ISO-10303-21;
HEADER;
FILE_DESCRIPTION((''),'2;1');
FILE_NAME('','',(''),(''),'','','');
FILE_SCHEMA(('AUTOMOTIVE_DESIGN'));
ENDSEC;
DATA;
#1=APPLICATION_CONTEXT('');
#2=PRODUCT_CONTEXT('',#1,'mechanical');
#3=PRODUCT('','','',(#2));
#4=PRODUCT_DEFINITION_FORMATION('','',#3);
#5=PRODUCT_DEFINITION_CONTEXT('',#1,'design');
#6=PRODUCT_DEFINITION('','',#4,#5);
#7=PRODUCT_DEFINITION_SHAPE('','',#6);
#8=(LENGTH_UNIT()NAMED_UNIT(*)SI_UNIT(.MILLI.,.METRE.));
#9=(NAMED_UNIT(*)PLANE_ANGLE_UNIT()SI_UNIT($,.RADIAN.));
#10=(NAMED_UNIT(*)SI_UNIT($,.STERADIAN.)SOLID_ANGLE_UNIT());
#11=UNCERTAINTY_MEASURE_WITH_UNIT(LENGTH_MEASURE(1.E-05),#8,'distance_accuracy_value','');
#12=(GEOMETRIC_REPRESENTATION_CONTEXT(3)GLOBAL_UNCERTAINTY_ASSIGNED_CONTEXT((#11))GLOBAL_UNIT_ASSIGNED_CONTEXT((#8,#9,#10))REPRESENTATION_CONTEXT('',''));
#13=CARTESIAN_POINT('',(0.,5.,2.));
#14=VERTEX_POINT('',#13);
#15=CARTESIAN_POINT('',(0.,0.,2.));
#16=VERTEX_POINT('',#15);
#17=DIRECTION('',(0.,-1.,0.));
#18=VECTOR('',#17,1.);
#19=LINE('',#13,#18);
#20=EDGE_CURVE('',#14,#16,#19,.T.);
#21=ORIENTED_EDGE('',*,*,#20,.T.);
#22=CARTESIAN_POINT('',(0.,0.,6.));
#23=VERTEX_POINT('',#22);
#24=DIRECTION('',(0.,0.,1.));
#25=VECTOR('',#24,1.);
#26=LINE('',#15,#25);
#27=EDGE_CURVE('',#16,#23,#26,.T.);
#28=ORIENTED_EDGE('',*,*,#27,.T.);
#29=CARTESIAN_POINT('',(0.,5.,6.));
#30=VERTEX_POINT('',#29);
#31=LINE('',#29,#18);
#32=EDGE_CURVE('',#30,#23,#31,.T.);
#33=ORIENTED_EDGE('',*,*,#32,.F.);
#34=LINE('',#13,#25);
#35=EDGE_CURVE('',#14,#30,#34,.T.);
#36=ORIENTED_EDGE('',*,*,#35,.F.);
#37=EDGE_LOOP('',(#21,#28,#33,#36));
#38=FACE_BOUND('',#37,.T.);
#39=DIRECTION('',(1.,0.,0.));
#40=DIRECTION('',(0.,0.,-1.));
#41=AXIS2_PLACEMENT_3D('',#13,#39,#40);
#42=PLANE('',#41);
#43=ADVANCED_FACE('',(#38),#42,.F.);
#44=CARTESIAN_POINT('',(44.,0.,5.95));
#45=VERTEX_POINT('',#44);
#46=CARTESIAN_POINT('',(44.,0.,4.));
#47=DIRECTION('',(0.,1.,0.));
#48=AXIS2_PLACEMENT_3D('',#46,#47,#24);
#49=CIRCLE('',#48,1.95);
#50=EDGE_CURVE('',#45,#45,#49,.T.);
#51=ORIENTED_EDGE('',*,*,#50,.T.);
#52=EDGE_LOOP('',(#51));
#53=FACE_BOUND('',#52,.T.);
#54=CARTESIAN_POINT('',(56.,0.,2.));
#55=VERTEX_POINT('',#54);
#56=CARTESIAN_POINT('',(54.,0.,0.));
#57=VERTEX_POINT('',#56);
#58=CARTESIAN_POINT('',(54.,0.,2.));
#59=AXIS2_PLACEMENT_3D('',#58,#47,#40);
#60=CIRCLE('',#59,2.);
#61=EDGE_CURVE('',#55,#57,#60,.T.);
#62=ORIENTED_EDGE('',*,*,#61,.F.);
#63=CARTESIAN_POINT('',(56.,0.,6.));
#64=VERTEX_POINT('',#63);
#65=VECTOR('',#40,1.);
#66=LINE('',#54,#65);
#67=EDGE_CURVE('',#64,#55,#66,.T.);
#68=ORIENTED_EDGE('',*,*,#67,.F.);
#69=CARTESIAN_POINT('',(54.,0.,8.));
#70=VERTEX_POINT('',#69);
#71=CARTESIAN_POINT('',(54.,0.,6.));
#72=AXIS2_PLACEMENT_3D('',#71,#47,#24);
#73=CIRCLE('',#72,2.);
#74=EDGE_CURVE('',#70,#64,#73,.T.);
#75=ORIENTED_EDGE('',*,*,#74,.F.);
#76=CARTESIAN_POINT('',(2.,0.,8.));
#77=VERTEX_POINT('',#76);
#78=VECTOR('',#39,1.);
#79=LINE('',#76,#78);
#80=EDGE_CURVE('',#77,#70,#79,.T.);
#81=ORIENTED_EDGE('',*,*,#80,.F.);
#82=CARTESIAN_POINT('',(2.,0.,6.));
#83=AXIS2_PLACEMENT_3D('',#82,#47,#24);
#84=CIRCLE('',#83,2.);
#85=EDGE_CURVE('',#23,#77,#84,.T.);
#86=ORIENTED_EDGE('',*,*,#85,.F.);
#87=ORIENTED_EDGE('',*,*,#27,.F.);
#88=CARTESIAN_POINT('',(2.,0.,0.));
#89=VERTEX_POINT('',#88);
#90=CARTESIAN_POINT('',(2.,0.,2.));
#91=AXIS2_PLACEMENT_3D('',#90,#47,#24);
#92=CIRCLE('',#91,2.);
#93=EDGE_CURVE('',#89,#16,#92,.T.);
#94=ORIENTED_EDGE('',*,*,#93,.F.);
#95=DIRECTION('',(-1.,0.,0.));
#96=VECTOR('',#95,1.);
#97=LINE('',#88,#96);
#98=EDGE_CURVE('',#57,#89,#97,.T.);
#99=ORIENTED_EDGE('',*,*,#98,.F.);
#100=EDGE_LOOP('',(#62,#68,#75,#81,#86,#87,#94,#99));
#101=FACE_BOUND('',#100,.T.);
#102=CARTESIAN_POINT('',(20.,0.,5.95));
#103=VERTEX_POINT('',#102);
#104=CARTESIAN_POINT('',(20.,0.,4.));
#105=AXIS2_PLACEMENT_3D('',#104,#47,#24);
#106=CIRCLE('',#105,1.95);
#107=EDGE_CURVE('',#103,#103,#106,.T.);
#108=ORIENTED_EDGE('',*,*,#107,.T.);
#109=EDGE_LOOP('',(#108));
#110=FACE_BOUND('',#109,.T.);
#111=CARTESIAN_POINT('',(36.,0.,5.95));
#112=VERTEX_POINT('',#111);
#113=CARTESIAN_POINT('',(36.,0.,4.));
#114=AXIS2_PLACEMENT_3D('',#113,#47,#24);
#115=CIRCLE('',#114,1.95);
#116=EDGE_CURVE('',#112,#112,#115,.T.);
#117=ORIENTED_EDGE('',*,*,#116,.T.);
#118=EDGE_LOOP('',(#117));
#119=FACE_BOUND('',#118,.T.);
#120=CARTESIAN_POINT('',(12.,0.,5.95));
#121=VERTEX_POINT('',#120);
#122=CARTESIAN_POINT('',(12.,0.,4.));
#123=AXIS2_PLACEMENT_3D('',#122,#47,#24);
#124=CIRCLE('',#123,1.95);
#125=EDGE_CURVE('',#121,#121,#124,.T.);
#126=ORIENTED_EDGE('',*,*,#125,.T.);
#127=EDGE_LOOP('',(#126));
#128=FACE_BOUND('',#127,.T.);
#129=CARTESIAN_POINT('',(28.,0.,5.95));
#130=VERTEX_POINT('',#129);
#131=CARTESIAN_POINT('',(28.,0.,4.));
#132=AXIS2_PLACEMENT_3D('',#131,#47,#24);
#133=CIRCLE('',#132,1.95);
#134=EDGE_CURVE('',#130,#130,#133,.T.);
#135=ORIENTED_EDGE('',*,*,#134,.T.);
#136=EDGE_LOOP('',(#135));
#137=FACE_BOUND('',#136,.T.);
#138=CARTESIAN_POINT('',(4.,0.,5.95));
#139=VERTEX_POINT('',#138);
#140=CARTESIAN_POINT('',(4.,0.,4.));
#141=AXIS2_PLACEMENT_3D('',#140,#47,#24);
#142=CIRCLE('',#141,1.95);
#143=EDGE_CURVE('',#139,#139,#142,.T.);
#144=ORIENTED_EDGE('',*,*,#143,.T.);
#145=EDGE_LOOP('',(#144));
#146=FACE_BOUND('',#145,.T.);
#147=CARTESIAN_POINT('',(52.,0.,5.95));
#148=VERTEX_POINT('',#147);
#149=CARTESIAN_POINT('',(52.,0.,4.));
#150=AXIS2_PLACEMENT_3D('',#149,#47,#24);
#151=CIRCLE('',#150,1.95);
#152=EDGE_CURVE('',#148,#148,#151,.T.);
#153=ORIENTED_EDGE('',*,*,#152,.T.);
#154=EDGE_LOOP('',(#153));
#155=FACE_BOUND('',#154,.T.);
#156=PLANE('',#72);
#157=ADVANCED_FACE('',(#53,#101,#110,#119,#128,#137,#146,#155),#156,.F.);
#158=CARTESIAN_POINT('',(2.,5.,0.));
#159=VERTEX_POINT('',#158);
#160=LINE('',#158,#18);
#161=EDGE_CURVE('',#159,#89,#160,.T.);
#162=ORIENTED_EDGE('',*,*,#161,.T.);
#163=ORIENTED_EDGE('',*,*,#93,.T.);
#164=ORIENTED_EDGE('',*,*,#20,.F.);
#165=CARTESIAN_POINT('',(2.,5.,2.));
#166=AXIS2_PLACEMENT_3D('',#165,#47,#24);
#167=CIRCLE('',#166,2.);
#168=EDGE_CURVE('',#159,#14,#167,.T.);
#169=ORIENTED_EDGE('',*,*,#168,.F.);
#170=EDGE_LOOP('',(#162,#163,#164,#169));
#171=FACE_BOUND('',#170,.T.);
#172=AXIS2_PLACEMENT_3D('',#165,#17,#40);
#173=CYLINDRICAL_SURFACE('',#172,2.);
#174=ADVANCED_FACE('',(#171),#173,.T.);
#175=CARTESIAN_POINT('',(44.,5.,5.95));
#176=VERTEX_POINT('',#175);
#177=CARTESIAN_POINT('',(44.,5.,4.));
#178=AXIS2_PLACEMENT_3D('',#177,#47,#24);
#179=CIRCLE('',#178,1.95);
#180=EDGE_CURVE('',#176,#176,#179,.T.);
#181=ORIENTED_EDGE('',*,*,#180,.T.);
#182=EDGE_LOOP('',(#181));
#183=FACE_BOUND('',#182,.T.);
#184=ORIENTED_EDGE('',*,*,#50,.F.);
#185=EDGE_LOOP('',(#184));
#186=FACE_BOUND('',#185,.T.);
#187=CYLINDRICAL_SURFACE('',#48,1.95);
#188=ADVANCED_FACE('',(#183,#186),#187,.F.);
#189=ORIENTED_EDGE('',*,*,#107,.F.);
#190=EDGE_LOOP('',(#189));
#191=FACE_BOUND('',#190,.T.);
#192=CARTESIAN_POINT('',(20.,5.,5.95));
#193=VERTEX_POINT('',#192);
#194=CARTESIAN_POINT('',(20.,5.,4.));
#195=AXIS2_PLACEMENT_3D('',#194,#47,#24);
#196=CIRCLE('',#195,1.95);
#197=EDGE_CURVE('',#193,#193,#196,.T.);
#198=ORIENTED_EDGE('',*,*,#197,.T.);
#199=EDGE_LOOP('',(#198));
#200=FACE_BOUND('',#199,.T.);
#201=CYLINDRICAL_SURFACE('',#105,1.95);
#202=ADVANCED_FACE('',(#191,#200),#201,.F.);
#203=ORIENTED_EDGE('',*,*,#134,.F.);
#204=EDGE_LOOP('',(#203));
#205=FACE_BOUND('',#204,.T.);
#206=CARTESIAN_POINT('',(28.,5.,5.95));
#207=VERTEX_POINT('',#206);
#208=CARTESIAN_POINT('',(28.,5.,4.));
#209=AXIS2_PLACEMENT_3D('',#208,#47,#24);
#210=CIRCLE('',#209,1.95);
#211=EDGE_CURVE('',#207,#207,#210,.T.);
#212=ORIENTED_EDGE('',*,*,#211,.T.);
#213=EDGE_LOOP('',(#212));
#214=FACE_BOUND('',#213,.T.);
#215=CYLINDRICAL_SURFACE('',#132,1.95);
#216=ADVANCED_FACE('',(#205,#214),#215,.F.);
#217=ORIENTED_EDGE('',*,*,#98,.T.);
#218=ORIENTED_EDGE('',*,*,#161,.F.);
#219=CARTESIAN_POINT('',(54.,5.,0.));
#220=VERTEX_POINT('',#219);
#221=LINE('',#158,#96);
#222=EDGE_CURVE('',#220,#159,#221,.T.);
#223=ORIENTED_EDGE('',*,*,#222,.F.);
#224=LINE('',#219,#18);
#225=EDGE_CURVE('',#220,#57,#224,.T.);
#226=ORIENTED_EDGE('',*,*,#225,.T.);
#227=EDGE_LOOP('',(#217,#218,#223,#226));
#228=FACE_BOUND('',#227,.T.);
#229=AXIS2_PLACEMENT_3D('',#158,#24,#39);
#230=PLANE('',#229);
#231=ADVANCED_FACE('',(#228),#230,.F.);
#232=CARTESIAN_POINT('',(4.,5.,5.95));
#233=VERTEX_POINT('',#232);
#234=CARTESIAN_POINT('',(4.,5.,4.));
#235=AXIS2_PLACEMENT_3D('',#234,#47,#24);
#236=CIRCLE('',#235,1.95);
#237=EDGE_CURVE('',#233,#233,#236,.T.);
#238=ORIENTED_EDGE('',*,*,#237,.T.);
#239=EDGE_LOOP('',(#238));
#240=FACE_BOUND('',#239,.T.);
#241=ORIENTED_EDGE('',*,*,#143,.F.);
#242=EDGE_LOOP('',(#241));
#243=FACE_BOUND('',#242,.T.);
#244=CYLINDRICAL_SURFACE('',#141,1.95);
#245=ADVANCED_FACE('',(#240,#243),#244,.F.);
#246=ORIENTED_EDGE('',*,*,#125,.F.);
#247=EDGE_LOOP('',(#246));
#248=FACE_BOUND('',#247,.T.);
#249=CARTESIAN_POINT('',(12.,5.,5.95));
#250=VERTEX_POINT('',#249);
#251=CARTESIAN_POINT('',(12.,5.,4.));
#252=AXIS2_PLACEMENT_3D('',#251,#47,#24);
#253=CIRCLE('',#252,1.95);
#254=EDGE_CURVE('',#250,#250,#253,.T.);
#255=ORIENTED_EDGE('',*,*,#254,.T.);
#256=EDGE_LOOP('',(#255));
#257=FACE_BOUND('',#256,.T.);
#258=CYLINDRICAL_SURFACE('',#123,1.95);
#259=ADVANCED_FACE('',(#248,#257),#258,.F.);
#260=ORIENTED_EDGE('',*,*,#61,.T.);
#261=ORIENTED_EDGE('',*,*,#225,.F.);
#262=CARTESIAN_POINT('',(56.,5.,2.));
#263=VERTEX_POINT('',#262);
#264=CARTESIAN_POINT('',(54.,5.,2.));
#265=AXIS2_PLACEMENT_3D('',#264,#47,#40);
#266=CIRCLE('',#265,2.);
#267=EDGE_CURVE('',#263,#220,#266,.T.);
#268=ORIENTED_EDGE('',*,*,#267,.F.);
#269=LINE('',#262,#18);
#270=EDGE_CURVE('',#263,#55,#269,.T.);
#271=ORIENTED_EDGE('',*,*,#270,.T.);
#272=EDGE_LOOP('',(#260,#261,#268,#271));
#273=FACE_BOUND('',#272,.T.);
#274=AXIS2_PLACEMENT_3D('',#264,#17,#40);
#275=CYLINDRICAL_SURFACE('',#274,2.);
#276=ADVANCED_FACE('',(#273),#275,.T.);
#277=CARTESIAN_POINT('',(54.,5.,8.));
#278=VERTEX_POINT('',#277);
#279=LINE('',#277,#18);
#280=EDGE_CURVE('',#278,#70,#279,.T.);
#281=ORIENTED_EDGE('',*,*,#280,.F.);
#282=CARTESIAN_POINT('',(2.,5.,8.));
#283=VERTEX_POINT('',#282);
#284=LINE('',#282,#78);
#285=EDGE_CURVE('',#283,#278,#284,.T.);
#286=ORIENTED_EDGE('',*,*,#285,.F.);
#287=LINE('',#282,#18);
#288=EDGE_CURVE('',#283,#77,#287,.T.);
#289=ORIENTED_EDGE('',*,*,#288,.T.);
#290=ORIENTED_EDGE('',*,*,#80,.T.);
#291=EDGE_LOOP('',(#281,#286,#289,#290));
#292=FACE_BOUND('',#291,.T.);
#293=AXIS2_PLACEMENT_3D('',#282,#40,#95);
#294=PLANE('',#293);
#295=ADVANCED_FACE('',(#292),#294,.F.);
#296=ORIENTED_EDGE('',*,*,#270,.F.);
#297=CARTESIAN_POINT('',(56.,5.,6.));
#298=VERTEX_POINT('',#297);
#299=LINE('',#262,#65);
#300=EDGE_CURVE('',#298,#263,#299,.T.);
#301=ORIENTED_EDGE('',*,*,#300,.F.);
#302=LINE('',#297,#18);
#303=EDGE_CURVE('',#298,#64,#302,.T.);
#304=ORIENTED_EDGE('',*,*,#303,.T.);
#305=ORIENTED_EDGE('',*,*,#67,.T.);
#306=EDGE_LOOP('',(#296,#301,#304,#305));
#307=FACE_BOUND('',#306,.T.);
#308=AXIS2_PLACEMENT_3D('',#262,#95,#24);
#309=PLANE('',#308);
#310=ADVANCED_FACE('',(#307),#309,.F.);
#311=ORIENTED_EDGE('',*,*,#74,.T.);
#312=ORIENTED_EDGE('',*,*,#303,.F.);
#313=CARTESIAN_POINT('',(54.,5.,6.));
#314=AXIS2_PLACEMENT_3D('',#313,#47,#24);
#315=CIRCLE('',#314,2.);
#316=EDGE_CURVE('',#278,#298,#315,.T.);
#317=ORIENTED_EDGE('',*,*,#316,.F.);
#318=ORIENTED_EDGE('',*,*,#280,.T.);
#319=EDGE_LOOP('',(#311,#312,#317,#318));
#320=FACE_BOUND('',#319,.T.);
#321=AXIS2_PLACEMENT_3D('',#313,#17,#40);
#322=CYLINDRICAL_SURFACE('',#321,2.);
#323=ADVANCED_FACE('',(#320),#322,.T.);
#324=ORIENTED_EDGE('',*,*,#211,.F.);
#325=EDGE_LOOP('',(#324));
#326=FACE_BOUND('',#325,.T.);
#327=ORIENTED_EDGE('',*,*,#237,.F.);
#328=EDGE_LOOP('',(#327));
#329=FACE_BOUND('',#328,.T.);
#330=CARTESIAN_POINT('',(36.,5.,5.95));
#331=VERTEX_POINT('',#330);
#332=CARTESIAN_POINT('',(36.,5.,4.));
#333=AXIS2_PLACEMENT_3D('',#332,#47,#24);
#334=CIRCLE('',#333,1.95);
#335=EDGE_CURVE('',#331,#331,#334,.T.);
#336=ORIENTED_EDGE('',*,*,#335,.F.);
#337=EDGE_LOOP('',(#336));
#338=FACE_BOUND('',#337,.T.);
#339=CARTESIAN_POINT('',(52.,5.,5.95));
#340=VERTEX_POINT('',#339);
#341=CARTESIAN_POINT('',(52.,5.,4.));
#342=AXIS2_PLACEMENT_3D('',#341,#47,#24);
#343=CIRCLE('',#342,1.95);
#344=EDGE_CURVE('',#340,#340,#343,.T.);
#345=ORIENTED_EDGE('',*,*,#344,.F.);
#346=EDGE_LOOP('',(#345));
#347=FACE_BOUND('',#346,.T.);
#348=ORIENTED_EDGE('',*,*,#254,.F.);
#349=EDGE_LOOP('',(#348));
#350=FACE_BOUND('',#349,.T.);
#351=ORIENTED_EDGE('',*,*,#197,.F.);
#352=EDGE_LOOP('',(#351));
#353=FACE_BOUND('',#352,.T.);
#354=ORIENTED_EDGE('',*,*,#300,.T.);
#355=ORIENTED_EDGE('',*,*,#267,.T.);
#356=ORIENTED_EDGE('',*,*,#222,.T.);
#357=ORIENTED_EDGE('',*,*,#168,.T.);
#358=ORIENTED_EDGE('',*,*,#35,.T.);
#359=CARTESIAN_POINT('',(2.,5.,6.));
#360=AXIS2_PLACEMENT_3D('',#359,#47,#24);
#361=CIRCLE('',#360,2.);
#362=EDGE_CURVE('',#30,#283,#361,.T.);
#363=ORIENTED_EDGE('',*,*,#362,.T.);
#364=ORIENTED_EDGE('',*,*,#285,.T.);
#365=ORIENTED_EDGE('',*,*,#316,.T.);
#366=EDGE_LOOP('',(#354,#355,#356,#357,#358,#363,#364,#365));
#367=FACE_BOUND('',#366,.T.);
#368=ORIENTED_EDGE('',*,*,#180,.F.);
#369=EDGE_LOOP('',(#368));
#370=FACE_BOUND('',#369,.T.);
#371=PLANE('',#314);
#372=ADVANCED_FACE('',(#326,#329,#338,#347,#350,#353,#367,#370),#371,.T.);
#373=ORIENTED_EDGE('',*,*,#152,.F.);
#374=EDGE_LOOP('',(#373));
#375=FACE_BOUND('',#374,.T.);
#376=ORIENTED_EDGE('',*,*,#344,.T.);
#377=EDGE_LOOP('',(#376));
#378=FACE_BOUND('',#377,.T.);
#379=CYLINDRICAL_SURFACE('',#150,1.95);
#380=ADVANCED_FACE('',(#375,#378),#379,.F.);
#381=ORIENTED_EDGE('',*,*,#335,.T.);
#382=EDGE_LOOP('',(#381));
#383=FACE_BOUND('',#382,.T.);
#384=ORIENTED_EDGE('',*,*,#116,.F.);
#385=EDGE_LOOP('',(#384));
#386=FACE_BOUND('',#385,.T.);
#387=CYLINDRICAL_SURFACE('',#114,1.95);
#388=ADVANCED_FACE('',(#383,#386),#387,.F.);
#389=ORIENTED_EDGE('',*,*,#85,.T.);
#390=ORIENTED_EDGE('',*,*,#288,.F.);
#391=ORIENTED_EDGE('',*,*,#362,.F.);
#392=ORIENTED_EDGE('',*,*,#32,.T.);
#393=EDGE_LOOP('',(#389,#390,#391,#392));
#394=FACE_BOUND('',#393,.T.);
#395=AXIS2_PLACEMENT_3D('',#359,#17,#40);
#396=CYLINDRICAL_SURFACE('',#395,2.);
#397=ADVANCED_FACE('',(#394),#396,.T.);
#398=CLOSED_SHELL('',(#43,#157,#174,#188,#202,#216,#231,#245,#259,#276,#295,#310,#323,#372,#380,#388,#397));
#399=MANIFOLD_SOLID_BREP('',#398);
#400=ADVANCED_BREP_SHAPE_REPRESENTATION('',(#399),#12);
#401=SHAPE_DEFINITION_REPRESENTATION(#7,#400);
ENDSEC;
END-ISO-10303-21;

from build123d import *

# Parameters (mm, degrees)
BOSS_EXTRUDE1_DEPTH = 5
SKETCH2_R           = 1.95
CUT_EXTRUDE1_DEPTH  = 6


with BuildPart() as part:
    # Sketch1 → Boss-Extrude1 (new body)
    with BuildSketch(Plane(origin=(0, 0, 0), x_dir=(1, 0, 0), z_dir=(0, 1, 0))):
        with BuildLine():
            Line((2, 0), (54, 0))
            ThreePointArc((54, 0), (55.414213562, -0.585786438), (56, -2))
            Line((56, -2), (56, -6))
            ThreePointArc((56, -6), (55.414213562, -7.414213562), (54, -8))
            Line((54, -8), (2, -8))
            ThreePointArc((2, -8), (0.585786438, -7.414213562), (0, -6))
            Line((0, -6), (0, -2))
            ThreePointArc((0, -2), (0.585786438, -0.585786438), (2, 0))
        make_face()
    extrude(amount=BOSS_EXTRUDE1_DEPTH)

    # Sketch2 → Cut-Extrude1 (cut, through all)
    with BuildSketch(Plane(origin=(0, 5, 0), x_dir=(1, 0, 0), z_dir=(0, 1, 0))):
        with Locations((52, -4)):
            Circle(SKETCH2_R)
        with Locations((44, -4)):
            Circle(SKETCH2_R)
        with Locations((-12, -4)):
            Circle(SKETCH2_R)
        with Locations((-4, -4)):
            Circle(SKETCH2_R)
        with Locations((4, -4)):
            Circle(SKETCH2_R)
        with Locations((12, -4)):
            Circle(SKETCH2_R)
        with Locations((20, -4)):
            Circle(SKETCH2_R)
        with Locations((28, -4)):
            Circle(SKETCH2_R)
        with Locations((36, -4)):
            Circle(SKETCH2_R)
    extrude(amount=-CUT_EXTRUDE1_DEPTH, mode=Mode.SUBTRACT)


solid = part.part
